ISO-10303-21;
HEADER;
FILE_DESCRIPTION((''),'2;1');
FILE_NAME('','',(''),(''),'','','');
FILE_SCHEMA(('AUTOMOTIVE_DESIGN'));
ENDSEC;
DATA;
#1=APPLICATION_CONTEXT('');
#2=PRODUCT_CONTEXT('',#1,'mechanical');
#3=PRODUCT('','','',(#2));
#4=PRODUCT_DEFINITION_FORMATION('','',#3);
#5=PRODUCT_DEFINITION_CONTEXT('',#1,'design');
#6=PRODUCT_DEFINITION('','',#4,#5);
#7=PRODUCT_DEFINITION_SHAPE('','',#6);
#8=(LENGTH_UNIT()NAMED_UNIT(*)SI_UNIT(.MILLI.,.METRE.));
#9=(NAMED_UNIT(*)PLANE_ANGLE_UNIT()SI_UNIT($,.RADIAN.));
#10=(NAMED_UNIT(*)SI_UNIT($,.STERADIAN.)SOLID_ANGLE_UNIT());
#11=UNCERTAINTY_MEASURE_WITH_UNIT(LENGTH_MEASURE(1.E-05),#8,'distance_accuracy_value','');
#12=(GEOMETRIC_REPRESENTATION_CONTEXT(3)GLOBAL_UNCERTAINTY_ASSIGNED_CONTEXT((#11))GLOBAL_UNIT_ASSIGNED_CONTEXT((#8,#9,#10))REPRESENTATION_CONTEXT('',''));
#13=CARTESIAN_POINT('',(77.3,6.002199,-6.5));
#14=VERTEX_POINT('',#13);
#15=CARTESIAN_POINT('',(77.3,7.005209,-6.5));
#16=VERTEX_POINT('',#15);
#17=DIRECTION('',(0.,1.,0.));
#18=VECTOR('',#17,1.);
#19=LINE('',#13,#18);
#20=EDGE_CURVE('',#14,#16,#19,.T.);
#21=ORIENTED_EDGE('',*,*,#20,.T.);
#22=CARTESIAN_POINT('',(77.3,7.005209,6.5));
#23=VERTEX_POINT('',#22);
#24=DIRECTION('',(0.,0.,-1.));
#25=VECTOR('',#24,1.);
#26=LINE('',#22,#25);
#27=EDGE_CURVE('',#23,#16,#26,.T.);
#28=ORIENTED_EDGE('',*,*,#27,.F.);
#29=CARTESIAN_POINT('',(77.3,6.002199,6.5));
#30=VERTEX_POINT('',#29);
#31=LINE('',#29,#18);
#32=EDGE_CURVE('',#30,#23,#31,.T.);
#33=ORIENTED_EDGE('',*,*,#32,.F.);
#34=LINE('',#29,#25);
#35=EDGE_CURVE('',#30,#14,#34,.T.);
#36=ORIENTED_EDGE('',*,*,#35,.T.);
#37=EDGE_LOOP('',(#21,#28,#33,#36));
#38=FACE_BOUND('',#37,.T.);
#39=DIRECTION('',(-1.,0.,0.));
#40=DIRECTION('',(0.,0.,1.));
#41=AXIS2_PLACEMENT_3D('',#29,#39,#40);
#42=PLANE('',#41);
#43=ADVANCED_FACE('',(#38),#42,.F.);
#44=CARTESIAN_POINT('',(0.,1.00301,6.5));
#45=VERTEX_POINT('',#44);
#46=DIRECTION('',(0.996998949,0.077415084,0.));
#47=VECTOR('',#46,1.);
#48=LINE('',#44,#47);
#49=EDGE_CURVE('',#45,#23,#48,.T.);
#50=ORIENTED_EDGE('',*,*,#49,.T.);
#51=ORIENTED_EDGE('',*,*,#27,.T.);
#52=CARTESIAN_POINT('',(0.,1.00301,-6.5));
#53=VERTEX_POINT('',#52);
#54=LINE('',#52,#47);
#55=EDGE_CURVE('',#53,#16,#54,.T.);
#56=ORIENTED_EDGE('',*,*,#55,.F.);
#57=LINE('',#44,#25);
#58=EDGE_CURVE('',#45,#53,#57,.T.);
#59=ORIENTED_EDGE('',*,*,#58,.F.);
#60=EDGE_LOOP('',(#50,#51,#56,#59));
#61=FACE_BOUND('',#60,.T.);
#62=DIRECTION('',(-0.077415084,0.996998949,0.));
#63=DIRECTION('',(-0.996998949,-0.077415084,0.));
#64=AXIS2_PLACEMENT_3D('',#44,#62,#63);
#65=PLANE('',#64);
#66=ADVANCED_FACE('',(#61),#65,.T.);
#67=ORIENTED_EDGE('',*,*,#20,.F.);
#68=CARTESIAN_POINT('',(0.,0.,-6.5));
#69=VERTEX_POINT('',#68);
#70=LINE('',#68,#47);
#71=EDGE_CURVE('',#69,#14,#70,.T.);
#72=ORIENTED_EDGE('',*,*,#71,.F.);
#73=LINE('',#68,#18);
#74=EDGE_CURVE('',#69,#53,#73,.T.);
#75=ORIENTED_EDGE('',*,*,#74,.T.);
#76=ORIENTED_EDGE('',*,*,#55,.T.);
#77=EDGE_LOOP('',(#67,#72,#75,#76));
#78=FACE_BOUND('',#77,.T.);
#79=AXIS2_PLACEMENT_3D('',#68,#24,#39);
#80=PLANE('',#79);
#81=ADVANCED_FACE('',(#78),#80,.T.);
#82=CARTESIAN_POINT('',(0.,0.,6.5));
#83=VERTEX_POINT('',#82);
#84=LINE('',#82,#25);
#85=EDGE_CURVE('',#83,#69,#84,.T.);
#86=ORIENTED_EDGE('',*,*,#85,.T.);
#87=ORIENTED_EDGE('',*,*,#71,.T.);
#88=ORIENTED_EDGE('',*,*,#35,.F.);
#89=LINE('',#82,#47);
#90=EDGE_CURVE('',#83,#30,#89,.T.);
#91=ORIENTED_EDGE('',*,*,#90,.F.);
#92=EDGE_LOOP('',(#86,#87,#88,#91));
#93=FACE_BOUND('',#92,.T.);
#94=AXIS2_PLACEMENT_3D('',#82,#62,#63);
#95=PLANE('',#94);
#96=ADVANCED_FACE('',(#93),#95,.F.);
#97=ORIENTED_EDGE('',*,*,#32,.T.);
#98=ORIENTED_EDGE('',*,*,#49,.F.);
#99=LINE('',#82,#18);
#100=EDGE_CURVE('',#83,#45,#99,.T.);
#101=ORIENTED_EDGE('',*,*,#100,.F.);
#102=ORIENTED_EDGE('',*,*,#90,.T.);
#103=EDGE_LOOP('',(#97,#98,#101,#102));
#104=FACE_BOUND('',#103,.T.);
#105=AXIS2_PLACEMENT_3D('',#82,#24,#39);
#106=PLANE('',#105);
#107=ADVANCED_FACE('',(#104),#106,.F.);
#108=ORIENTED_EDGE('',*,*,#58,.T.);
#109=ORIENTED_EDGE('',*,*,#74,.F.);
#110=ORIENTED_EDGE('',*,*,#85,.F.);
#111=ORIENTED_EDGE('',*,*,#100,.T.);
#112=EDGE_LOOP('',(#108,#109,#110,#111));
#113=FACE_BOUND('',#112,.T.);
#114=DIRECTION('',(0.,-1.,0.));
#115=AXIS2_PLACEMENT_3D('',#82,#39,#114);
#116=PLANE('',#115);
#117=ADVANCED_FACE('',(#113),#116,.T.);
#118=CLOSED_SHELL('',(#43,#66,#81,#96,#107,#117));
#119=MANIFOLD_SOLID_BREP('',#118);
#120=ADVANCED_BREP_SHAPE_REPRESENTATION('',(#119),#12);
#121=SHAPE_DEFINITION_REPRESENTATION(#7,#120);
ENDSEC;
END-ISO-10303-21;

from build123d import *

# Parameters (mm, degrees)
EXTRUDE_1_DEPTH = 6.5


with BuildPart() as part:
    # 草圖1 → 填料-伸長1 (new, symmetric)
    with BuildSketch(Plane.XY):
        Polygon((0, 0), (77.3, 6.002198858), (77.3, 7.005208943), (0, 1.003010084), align=None)
    extrude(amount=EXTRUDE_1_DEPTH, both=True)


solid = part.part
